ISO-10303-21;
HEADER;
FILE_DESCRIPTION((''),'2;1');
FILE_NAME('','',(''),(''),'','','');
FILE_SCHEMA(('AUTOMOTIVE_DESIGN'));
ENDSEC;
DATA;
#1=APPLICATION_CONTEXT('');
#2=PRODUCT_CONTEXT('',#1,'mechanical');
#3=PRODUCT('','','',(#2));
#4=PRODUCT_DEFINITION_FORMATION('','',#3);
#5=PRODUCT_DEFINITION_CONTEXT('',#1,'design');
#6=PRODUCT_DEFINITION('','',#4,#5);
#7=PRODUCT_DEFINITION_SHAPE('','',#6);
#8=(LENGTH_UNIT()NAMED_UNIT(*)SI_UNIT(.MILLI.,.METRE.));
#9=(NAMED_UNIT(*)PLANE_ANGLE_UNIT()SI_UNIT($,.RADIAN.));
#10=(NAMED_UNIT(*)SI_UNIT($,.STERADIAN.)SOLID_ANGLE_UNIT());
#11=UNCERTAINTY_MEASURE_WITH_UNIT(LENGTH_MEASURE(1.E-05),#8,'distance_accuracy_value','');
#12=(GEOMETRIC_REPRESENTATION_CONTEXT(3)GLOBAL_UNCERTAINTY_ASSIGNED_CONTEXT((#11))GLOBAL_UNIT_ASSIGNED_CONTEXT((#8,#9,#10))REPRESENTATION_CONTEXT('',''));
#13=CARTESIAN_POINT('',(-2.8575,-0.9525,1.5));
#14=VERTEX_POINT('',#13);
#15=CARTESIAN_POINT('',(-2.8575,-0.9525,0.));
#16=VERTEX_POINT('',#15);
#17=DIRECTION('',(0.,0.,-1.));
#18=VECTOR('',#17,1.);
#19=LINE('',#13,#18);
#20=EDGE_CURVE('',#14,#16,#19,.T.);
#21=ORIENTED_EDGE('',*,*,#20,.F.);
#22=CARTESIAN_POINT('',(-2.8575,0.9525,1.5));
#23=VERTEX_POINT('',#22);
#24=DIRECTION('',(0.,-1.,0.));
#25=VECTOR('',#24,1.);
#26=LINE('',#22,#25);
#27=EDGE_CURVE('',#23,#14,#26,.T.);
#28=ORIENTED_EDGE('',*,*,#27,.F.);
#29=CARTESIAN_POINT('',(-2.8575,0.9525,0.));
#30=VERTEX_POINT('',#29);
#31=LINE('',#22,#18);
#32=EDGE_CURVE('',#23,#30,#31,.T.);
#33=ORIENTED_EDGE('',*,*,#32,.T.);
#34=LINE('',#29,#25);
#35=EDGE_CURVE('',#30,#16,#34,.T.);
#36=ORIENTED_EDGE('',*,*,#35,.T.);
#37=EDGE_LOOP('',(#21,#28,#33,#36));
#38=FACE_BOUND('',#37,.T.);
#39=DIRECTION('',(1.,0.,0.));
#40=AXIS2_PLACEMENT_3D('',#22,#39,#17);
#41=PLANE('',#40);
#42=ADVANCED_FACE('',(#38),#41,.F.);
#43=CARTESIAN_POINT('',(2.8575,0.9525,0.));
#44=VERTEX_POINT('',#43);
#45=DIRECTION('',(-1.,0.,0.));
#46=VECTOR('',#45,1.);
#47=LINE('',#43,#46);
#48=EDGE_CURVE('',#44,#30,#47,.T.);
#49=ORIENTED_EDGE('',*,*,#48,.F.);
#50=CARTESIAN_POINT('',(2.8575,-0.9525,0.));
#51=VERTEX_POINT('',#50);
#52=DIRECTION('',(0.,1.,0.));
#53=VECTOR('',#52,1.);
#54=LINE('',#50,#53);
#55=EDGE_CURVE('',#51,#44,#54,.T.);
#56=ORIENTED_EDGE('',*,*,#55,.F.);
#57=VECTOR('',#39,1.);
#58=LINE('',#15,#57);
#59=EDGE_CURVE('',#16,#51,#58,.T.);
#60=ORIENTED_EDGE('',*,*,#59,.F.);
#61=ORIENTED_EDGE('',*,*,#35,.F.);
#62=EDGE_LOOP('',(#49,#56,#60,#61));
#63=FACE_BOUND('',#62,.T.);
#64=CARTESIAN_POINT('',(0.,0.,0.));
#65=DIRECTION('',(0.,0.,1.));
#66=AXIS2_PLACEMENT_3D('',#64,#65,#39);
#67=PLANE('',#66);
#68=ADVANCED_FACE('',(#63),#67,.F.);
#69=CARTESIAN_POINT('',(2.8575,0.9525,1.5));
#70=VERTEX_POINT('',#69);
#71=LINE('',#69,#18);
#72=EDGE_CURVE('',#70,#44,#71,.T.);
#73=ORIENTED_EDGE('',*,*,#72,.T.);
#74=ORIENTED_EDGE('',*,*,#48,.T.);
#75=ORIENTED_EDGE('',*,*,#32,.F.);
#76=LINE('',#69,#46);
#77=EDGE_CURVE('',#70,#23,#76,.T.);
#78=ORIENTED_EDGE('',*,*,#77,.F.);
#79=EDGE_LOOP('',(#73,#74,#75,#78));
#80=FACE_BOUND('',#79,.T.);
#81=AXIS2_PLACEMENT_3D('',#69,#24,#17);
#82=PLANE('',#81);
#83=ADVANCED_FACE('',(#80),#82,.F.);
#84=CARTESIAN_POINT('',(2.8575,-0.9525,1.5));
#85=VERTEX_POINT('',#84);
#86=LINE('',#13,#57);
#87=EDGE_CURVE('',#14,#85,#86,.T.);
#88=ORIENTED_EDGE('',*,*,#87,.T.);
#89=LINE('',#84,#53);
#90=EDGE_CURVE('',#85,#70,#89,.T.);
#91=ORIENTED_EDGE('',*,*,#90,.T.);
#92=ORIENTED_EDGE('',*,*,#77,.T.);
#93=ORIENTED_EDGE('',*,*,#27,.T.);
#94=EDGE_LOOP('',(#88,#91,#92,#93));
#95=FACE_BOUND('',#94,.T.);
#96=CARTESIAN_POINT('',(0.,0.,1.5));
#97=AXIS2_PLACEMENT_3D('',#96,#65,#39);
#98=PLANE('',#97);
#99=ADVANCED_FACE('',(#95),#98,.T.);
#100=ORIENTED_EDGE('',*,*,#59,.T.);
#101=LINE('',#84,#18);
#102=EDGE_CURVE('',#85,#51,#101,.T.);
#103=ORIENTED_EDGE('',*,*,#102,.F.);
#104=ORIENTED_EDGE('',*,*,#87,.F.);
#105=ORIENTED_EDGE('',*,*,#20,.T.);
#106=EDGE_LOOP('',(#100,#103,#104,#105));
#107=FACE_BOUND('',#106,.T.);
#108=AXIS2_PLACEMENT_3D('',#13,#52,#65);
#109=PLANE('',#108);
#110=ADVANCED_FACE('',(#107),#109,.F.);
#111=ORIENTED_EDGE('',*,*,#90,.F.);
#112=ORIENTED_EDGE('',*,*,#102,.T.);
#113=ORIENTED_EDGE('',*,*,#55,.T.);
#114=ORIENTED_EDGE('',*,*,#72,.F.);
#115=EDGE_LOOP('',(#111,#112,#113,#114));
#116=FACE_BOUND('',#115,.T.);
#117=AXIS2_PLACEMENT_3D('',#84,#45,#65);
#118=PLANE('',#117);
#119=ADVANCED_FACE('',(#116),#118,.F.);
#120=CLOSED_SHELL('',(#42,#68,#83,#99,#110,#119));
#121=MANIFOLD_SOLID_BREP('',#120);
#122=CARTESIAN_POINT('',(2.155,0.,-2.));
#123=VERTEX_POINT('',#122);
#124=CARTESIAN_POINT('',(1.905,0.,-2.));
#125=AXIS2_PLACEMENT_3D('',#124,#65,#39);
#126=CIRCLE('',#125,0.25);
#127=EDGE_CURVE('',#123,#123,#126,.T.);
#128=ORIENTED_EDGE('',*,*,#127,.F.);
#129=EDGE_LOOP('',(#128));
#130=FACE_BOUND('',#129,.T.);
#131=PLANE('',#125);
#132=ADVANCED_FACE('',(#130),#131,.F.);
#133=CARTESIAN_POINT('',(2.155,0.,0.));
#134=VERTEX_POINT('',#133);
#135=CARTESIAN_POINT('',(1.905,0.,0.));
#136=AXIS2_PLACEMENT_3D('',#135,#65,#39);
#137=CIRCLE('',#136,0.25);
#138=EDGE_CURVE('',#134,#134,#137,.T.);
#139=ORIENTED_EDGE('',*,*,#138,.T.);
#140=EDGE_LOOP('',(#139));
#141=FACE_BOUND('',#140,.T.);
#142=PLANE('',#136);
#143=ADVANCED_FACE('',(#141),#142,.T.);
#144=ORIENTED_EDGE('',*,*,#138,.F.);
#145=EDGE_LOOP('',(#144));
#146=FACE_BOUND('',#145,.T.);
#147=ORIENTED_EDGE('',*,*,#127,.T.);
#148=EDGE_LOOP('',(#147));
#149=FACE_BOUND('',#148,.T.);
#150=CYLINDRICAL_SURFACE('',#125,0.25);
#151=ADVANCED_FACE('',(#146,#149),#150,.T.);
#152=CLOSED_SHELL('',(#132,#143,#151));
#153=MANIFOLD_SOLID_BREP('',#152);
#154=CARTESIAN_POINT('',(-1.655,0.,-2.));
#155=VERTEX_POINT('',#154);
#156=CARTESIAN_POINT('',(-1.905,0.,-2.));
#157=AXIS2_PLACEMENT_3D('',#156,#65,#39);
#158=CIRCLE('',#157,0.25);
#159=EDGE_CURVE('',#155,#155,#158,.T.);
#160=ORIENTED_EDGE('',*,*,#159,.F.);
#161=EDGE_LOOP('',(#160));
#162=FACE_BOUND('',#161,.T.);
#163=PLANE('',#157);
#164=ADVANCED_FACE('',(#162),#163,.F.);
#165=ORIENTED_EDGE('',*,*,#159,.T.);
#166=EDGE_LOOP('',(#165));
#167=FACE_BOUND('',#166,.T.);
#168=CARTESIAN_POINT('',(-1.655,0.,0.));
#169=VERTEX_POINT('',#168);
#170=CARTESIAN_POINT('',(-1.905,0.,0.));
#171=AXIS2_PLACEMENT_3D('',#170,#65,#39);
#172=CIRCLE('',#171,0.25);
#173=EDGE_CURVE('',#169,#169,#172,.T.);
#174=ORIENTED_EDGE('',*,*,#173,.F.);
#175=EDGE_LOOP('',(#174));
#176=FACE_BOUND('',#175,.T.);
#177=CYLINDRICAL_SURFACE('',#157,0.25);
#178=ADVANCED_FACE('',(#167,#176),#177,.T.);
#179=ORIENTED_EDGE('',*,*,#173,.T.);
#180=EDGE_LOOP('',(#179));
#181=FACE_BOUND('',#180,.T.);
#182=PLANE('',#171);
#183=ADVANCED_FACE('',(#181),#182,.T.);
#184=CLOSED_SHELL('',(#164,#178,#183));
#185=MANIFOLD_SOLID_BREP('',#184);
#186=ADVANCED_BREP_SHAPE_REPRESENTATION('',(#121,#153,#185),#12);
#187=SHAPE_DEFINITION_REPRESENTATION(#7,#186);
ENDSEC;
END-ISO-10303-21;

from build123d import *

# Parameters (mm, degrees)
SKETCH1_W               = 5.715
SKETCH1_H               = 1.905
COMPONENT_OUTLINE_DEPTH = 1.5
SKETCH2_R               = 0.25
EXTRUDE_1_DEPTH         = 2
SKETCH3_R               = 0.25
EXTRUDE_2_DEPTH         = 2


with BuildPart() as part:
    # Sketch1 → Component_Outline (new body)
    with BuildSketch(Plane.XY):
        Rectangle(SKETCH1_W, SKETCH1_H)
    extrude(amount=COMPONENT_OUTLINE_DEPTH)


with BuildPart() as body_2:
    # Sketch2 → Extrude 1 (new body)
    with BuildSketch(Plane.XY):
        with Locations((-1.905, 0)):
            Circle(SKETCH2_R)
    extrude(amount=-EXTRUDE_1_DEPTH)


with BuildPart() as body_3:
    # Sketch3 → Extrude 2 (new body)
    with BuildSketch(Plane.XY):
        with Locations((1.905, 0)):
            Circle(SKETCH3_R)
    extrude(amount=-EXTRUDE_2_DEPTH)


solid = Compound([part.part, body_2.part, body_3.part])
